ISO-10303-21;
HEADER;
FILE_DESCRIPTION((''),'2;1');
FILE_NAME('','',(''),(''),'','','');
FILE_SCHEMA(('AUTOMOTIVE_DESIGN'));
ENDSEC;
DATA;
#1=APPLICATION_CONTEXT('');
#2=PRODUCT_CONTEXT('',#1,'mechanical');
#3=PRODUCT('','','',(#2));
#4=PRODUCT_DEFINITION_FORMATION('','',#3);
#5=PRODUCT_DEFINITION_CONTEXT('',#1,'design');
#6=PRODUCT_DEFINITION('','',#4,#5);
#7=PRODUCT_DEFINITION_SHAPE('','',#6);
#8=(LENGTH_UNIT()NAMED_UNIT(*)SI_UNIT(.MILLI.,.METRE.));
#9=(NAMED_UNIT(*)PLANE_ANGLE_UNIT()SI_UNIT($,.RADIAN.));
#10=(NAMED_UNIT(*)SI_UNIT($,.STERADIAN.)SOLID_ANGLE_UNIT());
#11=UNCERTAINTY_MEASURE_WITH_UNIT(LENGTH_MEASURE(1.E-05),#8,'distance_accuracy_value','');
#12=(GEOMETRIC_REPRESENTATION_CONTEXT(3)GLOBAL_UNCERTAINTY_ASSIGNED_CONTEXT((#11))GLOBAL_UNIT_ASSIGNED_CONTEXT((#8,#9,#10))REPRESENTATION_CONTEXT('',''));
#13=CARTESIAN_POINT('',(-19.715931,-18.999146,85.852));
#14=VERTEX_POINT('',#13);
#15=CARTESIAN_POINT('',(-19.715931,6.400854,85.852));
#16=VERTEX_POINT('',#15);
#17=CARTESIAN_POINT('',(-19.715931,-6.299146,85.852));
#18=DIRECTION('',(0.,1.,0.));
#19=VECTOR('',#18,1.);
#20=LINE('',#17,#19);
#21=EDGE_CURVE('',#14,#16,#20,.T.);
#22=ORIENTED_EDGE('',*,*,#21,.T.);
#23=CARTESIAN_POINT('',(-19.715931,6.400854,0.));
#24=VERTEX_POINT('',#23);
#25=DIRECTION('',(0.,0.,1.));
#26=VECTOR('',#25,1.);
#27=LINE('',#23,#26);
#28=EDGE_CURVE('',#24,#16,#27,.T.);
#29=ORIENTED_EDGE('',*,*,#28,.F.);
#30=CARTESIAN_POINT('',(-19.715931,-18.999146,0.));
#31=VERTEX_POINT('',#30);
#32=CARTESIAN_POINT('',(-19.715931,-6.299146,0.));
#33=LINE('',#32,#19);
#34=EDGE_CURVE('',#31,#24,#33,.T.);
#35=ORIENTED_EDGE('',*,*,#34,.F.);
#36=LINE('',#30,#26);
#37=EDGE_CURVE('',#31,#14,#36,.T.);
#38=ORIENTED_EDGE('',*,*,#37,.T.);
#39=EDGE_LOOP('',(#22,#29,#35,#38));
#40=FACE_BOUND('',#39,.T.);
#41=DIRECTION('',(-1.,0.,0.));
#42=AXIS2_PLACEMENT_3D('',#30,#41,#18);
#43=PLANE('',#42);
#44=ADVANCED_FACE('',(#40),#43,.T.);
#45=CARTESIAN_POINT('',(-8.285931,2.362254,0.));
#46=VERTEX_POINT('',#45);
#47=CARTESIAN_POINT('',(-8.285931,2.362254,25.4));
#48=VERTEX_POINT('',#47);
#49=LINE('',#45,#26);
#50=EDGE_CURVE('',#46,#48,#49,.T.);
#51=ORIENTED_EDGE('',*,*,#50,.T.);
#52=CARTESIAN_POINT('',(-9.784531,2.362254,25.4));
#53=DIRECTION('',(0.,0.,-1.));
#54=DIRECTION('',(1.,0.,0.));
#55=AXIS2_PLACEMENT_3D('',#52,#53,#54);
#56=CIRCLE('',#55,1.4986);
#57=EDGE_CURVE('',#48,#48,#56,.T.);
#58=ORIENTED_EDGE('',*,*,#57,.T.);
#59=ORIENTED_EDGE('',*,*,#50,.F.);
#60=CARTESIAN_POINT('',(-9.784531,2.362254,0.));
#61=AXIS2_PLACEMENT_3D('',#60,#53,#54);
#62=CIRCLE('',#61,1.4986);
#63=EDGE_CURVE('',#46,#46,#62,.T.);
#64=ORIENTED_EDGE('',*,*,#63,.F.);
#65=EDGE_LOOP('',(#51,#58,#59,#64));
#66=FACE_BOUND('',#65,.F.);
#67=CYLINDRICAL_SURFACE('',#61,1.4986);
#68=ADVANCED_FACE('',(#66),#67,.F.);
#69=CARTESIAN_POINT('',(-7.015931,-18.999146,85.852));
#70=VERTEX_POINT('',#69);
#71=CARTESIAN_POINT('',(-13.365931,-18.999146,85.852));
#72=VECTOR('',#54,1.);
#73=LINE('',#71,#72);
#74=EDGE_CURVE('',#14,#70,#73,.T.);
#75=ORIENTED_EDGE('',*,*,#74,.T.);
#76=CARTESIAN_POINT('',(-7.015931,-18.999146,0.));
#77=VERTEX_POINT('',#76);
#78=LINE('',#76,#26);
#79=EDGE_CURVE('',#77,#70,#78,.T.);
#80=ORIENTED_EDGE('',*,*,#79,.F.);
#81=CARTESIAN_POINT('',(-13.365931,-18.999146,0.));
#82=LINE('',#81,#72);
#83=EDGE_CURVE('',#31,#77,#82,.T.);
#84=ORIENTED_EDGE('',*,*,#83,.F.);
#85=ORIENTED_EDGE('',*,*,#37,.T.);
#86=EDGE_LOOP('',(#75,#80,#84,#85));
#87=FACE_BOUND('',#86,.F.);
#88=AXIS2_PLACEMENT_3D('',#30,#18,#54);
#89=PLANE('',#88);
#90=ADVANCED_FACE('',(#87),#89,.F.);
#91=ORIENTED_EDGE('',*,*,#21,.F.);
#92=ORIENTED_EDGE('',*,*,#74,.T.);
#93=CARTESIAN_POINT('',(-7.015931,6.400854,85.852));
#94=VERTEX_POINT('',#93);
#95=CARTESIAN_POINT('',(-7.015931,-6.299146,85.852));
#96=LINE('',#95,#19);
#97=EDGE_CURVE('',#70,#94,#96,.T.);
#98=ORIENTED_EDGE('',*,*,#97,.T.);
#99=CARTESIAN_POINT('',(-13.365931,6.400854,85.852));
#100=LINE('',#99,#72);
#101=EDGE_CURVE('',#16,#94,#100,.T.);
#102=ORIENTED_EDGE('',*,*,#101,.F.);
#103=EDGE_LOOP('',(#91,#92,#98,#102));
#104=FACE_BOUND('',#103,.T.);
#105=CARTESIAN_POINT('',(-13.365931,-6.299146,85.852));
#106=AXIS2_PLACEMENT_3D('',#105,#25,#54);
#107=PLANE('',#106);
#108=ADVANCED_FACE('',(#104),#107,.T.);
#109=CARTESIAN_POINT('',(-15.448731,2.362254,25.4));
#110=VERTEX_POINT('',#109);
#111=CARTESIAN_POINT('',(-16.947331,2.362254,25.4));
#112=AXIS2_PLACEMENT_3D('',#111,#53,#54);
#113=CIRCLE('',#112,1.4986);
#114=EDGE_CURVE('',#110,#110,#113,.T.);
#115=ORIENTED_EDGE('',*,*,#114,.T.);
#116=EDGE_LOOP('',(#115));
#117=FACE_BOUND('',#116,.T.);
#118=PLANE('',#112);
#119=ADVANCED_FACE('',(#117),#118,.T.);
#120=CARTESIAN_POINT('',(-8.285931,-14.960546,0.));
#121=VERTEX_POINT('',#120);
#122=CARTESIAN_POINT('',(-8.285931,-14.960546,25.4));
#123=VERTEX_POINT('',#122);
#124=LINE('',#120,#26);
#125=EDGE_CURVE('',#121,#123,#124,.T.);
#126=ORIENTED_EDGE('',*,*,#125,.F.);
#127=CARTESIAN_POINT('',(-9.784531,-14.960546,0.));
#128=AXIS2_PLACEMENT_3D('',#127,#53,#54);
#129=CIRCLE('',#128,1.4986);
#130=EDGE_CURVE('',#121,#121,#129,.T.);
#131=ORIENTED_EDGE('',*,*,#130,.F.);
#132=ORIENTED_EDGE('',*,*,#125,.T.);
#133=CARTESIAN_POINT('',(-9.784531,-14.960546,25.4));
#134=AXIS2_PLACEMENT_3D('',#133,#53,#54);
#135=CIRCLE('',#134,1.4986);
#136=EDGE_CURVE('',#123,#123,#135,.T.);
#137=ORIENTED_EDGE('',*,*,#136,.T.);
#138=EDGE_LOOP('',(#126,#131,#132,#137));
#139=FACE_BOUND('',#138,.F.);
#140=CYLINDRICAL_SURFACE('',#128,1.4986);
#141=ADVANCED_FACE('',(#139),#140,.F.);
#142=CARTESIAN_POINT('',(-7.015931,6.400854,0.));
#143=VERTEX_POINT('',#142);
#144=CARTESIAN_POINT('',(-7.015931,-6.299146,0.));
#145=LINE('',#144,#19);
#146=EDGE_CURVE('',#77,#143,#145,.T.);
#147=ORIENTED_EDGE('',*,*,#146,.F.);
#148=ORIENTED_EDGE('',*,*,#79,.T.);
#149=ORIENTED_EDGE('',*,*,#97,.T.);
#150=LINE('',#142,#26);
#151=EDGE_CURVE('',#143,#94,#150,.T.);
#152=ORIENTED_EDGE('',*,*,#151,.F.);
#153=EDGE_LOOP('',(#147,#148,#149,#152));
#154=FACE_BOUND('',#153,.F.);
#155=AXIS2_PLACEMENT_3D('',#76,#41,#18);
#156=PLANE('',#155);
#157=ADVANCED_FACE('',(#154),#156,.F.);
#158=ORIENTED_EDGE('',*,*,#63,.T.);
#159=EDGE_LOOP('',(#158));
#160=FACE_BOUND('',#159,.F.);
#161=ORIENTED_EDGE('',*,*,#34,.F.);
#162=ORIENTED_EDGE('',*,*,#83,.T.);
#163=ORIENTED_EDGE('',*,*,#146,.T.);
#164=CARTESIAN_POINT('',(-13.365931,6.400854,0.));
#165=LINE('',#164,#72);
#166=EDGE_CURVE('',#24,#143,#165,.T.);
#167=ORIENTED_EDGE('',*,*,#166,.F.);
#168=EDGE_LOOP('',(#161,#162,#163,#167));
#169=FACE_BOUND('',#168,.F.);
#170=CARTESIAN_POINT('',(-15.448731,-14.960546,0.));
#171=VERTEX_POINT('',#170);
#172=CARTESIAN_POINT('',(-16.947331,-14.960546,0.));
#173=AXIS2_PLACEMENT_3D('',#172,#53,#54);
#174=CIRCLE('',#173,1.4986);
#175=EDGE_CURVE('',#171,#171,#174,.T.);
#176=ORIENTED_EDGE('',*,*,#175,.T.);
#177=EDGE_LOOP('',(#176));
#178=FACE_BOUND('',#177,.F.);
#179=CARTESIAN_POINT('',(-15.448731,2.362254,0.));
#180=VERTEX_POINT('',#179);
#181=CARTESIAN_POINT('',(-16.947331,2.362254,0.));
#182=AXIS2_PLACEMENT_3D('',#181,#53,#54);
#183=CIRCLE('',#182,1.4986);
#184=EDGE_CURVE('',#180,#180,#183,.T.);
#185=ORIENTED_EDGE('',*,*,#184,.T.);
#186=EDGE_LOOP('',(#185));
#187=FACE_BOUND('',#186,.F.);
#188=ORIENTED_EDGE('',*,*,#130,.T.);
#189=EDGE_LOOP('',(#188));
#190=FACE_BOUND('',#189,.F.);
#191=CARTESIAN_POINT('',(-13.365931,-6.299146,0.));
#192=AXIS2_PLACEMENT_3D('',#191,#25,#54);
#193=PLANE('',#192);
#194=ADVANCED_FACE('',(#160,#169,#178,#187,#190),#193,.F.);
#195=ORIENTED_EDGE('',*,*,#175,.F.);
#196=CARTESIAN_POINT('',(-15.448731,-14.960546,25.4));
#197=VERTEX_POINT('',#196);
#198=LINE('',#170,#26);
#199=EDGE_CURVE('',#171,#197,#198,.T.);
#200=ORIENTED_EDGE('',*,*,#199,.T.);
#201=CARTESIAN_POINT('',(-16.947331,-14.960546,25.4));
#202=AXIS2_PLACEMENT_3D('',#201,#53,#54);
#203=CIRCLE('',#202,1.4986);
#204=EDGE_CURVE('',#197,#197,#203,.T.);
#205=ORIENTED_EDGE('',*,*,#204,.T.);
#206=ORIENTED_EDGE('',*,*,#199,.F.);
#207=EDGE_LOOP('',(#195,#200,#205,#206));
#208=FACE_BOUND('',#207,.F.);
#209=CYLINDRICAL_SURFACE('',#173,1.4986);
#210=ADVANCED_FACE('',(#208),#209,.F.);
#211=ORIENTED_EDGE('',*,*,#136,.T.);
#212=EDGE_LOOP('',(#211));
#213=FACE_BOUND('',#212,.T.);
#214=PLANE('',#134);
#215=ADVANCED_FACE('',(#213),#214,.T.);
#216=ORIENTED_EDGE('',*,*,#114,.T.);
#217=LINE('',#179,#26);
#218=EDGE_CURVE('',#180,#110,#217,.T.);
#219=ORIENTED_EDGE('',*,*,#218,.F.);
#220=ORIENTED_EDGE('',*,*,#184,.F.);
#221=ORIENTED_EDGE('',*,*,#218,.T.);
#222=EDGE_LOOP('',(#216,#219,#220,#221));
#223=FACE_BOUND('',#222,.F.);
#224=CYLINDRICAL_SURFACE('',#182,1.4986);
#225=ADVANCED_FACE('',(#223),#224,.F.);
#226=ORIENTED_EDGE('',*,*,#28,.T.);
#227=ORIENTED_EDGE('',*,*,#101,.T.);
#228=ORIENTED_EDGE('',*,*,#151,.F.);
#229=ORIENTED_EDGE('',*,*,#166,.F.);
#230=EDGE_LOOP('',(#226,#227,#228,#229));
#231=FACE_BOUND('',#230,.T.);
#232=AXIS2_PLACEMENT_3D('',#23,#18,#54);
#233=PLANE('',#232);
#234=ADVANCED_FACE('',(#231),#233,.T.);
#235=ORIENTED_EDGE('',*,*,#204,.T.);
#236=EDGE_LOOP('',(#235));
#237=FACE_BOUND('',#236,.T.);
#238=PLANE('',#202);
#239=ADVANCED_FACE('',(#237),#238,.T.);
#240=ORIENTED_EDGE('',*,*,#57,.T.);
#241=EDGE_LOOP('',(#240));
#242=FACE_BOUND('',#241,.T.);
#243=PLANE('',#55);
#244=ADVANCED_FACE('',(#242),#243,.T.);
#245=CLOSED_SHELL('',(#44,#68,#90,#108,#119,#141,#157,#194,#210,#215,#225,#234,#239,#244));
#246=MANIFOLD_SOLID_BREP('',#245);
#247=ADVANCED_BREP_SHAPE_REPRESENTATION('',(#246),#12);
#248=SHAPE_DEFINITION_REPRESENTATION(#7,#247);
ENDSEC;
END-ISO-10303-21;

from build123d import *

# Parameters (mm, degrees)
F0_W     = 12.7
F0_H     = 25.4
F1_DEPTH = 85.852
F3_R     = 1.4986
F4_DEPTH = 25.4


with BuildPart() as f1:
    # F0 (on Top) → F1 (new body)
    with BuildSketch(Plane.XY):
        with Locations((-13.3659312665, -6.2991462976)):
            Rectangle(F0_W, F0_H)
    extrude(amount=F1_DEPTH)

    # F3 (on face) → F4 (cut)
    with BuildSketch(Plane(origin=(0, 0, 0), x_dir=(1, 0, 0), z_dir=(0, 0, -1))):
        with Locations((-16.9473312665, -2.3622537024)):
            Circle(F3_R)
        with Locations((-9.7845312665, -2.3622537024)):
            Circle(F3_R)
        with Locations((-16.9473312665, 14.9605462976)):
            Circle(F3_R)
        with Locations((-9.7845312665, 14.9605462976)):
            Circle(F3_R)
    extrude(amount=-F4_DEPTH, mode=Mode.SUBTRACT)


solid = f1.part
